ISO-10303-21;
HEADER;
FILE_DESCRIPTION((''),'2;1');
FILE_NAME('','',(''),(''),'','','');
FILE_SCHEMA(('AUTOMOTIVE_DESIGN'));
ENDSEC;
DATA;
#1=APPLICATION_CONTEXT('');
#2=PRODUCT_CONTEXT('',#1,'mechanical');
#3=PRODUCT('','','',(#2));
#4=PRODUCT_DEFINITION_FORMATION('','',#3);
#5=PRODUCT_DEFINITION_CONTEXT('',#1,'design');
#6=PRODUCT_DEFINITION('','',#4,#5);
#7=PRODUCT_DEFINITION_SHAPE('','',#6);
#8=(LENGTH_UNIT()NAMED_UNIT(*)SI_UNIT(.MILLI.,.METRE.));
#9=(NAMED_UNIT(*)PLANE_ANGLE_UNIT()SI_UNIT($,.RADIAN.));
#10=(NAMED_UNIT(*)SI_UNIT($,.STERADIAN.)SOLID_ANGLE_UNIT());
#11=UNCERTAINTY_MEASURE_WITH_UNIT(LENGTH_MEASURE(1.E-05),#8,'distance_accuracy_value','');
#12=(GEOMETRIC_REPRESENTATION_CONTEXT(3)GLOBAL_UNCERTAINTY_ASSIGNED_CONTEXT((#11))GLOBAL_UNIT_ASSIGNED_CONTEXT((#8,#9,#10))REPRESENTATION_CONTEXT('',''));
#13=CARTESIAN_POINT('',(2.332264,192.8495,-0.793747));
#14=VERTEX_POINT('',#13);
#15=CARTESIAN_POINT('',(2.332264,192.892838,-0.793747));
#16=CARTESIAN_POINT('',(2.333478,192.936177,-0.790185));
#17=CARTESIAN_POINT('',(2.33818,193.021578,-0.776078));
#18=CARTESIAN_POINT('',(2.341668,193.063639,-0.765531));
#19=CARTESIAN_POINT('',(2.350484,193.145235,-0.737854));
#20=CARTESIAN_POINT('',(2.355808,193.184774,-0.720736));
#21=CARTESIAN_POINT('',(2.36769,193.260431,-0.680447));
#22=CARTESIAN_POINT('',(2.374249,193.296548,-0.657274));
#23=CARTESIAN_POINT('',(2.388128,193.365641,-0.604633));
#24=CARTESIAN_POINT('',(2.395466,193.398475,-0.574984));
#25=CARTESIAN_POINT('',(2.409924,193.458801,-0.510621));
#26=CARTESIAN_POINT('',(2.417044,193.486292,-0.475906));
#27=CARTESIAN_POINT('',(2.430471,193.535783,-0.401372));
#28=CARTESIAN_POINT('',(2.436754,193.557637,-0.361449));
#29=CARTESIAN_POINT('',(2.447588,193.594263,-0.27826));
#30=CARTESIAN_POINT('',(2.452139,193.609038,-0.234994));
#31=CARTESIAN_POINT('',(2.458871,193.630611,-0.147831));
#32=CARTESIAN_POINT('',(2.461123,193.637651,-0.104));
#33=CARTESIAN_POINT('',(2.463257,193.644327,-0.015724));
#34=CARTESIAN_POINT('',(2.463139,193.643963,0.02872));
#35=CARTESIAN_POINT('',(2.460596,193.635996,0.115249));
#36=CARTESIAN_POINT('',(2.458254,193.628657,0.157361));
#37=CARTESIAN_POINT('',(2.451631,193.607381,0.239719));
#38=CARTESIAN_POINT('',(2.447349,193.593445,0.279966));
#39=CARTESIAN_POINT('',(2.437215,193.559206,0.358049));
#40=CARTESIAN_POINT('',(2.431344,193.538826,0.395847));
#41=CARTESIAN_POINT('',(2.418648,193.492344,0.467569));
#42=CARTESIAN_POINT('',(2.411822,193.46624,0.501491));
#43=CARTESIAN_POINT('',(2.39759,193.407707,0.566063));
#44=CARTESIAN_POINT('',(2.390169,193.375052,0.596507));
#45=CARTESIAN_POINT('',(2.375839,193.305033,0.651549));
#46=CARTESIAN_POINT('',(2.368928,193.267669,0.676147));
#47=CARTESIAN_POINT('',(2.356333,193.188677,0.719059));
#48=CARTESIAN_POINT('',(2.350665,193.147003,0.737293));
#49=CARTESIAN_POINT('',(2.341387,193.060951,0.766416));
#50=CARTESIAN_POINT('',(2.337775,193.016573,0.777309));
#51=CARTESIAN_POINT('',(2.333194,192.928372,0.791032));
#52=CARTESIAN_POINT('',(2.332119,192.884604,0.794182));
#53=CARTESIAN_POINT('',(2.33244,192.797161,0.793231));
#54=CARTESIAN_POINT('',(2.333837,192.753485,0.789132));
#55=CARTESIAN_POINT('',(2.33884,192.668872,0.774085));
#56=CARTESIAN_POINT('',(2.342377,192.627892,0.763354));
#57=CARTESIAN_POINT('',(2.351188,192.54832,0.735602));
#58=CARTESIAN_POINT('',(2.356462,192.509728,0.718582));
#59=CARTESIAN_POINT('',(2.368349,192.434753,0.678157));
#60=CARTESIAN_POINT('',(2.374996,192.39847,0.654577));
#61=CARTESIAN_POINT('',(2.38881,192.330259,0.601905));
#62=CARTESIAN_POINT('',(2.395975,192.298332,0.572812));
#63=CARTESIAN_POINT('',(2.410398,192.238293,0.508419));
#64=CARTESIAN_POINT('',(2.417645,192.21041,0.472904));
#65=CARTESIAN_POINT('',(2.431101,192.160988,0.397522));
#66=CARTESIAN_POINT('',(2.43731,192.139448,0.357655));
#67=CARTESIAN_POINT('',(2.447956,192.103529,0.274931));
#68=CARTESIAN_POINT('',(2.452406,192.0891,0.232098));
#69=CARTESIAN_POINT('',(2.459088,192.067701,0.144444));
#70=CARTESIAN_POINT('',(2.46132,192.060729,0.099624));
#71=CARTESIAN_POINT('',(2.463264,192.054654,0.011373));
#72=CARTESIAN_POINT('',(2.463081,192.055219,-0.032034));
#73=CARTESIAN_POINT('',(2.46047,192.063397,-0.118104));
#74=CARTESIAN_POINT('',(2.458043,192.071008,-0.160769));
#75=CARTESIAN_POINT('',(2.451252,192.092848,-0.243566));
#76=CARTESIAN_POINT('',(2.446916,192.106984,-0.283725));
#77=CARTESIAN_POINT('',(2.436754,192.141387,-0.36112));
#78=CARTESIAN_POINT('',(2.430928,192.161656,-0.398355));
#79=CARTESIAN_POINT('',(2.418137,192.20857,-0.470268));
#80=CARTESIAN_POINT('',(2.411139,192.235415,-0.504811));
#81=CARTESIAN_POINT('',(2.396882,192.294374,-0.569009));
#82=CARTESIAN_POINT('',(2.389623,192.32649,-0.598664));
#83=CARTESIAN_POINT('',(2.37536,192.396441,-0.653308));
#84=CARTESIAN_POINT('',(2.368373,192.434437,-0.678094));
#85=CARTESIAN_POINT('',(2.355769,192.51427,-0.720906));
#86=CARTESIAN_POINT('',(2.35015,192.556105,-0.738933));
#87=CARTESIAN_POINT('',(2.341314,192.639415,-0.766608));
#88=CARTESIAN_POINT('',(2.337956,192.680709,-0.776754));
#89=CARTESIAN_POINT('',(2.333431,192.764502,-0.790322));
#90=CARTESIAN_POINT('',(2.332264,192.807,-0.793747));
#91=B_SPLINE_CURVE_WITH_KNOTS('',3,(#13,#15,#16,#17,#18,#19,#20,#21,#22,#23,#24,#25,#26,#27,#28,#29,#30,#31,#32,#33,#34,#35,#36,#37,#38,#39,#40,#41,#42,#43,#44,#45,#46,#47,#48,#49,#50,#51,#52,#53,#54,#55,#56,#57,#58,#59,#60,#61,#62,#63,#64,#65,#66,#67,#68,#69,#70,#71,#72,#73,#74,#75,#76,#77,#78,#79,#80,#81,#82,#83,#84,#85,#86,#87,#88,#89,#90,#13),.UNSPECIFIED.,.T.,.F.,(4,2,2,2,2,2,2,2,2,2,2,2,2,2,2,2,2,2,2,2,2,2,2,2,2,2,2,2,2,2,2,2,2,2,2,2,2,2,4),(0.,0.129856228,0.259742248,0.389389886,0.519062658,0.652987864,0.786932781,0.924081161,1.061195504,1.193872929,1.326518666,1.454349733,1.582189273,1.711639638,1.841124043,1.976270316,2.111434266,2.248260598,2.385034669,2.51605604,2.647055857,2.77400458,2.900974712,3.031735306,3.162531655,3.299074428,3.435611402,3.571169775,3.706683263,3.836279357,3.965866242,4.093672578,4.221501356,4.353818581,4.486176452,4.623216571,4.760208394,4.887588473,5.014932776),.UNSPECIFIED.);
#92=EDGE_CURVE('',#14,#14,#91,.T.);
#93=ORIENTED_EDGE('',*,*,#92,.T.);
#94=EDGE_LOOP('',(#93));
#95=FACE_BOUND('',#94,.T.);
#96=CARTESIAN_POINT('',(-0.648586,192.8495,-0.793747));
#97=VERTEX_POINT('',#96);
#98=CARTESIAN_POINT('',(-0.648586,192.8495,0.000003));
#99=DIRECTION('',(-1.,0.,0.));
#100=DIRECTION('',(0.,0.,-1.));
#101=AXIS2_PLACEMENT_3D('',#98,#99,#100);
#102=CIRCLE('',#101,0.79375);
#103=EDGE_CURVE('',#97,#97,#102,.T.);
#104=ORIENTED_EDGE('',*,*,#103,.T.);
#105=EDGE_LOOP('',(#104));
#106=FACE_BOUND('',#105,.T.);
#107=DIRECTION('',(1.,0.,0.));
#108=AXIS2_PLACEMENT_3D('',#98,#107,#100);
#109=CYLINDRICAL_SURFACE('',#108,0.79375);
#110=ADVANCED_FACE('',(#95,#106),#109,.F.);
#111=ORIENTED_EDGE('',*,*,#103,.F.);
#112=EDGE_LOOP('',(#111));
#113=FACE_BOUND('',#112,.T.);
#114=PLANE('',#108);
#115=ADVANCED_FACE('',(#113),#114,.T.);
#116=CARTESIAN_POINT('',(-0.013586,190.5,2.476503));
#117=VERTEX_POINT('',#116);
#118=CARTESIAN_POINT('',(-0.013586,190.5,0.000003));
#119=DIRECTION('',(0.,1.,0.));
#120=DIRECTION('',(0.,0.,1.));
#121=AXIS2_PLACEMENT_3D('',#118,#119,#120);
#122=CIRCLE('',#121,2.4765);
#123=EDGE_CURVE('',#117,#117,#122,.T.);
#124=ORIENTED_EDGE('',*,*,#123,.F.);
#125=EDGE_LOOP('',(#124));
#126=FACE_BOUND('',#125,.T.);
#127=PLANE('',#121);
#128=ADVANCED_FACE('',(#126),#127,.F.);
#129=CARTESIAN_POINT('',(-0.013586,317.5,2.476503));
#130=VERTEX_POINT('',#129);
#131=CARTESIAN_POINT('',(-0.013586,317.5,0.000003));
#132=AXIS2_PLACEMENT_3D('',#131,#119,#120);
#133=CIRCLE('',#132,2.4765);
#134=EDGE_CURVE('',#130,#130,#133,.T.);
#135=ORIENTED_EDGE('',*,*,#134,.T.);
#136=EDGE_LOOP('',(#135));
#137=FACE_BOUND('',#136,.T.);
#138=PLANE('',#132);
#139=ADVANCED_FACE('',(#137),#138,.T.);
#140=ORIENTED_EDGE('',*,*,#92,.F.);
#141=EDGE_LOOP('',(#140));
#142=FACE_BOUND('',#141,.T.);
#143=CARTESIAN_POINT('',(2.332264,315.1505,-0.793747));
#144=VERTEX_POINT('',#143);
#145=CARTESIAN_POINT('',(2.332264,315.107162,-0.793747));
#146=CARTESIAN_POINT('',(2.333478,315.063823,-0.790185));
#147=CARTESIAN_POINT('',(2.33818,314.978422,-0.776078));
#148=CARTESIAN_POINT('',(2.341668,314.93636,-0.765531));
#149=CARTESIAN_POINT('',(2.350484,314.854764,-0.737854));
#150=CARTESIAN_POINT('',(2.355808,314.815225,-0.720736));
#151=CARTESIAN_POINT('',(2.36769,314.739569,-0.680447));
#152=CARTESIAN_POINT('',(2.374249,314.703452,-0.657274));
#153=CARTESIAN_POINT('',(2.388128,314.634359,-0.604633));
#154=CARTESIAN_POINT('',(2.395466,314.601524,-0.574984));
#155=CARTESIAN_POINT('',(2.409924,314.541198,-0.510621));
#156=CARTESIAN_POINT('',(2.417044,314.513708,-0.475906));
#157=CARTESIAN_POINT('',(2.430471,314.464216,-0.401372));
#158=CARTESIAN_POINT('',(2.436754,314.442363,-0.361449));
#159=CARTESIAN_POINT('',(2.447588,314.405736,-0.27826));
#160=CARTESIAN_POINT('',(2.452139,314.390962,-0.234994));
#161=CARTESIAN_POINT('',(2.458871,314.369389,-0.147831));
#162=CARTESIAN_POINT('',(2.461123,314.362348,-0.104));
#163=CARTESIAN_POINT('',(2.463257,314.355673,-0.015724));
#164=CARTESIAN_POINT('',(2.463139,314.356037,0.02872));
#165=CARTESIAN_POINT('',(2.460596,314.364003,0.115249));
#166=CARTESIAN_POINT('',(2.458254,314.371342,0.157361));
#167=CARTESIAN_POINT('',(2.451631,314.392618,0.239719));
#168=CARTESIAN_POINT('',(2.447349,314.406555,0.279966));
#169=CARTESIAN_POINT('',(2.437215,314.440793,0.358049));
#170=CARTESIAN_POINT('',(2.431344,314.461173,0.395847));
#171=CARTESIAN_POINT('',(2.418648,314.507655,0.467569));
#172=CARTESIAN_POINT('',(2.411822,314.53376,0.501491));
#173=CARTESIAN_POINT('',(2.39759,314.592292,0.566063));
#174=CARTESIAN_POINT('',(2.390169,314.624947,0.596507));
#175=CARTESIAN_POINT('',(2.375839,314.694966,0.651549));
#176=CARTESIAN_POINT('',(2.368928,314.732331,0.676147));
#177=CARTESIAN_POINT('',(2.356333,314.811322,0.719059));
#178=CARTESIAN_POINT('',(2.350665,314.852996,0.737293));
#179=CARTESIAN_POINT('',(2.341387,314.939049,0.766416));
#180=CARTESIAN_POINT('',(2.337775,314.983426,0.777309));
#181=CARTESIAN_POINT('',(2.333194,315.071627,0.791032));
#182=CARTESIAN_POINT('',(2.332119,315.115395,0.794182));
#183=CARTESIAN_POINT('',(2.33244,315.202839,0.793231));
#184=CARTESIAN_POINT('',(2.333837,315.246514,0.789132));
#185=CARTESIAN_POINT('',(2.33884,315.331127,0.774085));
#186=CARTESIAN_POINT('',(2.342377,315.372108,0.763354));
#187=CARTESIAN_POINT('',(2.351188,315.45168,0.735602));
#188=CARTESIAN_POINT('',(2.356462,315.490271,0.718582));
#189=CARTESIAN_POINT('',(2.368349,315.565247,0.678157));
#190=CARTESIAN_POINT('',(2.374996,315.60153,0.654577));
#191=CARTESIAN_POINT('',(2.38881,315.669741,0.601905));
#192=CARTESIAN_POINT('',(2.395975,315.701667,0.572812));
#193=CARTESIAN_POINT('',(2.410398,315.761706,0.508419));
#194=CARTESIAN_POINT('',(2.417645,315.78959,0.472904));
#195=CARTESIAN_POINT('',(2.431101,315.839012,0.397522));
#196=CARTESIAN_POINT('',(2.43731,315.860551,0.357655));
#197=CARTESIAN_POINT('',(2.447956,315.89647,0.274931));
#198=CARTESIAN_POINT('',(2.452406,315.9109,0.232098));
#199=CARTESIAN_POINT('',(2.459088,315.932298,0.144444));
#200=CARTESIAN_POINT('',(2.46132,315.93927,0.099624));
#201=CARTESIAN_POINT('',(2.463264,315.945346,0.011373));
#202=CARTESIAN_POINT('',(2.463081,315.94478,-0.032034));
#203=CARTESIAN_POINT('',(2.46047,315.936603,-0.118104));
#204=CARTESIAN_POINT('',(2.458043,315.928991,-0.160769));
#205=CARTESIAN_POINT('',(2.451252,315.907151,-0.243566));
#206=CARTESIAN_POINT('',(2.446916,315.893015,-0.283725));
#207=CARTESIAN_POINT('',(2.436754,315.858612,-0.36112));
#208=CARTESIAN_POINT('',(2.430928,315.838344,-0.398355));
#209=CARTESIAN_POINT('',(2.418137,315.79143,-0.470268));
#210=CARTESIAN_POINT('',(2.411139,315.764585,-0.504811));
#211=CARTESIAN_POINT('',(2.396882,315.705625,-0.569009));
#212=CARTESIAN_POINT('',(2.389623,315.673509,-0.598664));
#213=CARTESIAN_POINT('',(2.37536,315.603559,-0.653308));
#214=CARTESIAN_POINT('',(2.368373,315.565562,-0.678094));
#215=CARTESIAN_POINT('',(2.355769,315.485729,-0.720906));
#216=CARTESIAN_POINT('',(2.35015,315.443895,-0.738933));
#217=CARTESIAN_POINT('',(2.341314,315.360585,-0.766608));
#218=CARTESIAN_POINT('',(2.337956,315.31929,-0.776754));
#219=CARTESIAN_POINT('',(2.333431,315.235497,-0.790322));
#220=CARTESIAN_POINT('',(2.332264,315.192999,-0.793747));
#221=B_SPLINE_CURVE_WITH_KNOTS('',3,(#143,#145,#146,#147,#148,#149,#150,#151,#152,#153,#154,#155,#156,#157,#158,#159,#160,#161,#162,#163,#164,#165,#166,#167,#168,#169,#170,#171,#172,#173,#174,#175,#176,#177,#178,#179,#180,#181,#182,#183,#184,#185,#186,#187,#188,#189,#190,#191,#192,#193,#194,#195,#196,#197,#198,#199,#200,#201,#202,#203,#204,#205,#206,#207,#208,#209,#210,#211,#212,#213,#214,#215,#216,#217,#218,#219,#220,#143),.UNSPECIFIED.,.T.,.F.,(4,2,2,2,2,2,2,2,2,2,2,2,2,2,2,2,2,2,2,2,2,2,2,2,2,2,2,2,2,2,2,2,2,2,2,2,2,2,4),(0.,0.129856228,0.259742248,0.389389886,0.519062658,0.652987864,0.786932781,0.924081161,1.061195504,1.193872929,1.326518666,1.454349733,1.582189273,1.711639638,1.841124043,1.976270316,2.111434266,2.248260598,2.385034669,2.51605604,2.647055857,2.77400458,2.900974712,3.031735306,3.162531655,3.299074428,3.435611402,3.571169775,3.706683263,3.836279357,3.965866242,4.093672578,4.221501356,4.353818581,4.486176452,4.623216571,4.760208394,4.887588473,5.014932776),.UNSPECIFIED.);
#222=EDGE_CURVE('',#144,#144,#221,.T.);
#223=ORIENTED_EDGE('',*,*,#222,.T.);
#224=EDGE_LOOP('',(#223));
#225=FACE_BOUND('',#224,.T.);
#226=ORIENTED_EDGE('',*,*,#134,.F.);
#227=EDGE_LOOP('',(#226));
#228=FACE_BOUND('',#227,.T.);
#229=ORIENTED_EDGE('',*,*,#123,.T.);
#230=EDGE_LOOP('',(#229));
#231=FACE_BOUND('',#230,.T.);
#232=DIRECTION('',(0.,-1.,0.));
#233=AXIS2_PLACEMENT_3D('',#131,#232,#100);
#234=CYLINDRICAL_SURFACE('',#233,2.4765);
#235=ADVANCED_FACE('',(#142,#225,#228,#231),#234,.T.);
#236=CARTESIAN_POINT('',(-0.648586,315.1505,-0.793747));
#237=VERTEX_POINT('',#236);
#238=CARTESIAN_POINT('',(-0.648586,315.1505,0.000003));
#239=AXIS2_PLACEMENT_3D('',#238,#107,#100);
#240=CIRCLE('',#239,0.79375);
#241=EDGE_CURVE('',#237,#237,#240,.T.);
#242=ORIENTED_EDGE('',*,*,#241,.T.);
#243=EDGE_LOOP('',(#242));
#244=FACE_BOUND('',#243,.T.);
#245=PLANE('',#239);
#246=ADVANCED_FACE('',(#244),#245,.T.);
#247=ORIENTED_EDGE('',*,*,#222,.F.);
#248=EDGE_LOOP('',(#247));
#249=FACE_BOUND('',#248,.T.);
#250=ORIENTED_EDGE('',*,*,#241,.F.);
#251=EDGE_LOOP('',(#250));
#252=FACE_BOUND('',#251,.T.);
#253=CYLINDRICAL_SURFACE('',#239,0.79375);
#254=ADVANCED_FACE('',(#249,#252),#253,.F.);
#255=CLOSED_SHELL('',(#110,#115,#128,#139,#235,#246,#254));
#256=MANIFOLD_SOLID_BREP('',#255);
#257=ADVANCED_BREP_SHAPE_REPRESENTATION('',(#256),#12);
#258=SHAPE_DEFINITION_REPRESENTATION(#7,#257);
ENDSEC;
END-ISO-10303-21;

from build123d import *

# Parameters (mm, degrees)
SKETCH1_R           = 9.906
BOSS_EXTRUDE1_DEPTH = 508
CUT_EXTRUDE1_START  = 20.32
SKETCH2_R           = 3.175
CUT_EXTRUDE1_DEPTH  = 22.86
SCALE1_SCALE        = 0.25


with BuildPart() as part:
    # Sketch1 → Boss-Extrude1 (new body)
    with BuildSketch(Plane(origin=(0, 0, 0), x_dir=(1, 0, 0), z_dir=(0, 1, 0))):
        with Locations(Location((0, 0, 0), (0, 0, 270))):
            Circle(SKETCH1_R)
    extrude(amount=BOSS_EXTRUDE1_DEPTH)

    # Sketch2 → Cut-Extrude1 (cut)
    with BuildSketch(Plane(origin=(0, 0, 0), x_dir=(0, 0, -1), z_dir=(1, 0, 0)).offset(CUT_EXTRUDE1_START)):
        with Locations((0, 498.602)):
            Circle(SKETCH2_R)
    cut_extrude1 = extrude(amount=-CUT_EXTRUDE1_DEPTH, mode=Mode.SUBTRACT)

    # Mirror1: Cut-Extrude1 across plane
    add(cut_extrude1.mirror(Plane.ZX.offset(254)), mode=Mode.SUBTRACT)


with BuildPart() as part_1:
    # Scale1: scaled about (-0.018116733, 254, 1.117e-06)
    add(part.part.scale(SCALE1_SCALE).moved(Location((-0.01358755, 190.5, 8.38e-07))))


solid = part_1.part
